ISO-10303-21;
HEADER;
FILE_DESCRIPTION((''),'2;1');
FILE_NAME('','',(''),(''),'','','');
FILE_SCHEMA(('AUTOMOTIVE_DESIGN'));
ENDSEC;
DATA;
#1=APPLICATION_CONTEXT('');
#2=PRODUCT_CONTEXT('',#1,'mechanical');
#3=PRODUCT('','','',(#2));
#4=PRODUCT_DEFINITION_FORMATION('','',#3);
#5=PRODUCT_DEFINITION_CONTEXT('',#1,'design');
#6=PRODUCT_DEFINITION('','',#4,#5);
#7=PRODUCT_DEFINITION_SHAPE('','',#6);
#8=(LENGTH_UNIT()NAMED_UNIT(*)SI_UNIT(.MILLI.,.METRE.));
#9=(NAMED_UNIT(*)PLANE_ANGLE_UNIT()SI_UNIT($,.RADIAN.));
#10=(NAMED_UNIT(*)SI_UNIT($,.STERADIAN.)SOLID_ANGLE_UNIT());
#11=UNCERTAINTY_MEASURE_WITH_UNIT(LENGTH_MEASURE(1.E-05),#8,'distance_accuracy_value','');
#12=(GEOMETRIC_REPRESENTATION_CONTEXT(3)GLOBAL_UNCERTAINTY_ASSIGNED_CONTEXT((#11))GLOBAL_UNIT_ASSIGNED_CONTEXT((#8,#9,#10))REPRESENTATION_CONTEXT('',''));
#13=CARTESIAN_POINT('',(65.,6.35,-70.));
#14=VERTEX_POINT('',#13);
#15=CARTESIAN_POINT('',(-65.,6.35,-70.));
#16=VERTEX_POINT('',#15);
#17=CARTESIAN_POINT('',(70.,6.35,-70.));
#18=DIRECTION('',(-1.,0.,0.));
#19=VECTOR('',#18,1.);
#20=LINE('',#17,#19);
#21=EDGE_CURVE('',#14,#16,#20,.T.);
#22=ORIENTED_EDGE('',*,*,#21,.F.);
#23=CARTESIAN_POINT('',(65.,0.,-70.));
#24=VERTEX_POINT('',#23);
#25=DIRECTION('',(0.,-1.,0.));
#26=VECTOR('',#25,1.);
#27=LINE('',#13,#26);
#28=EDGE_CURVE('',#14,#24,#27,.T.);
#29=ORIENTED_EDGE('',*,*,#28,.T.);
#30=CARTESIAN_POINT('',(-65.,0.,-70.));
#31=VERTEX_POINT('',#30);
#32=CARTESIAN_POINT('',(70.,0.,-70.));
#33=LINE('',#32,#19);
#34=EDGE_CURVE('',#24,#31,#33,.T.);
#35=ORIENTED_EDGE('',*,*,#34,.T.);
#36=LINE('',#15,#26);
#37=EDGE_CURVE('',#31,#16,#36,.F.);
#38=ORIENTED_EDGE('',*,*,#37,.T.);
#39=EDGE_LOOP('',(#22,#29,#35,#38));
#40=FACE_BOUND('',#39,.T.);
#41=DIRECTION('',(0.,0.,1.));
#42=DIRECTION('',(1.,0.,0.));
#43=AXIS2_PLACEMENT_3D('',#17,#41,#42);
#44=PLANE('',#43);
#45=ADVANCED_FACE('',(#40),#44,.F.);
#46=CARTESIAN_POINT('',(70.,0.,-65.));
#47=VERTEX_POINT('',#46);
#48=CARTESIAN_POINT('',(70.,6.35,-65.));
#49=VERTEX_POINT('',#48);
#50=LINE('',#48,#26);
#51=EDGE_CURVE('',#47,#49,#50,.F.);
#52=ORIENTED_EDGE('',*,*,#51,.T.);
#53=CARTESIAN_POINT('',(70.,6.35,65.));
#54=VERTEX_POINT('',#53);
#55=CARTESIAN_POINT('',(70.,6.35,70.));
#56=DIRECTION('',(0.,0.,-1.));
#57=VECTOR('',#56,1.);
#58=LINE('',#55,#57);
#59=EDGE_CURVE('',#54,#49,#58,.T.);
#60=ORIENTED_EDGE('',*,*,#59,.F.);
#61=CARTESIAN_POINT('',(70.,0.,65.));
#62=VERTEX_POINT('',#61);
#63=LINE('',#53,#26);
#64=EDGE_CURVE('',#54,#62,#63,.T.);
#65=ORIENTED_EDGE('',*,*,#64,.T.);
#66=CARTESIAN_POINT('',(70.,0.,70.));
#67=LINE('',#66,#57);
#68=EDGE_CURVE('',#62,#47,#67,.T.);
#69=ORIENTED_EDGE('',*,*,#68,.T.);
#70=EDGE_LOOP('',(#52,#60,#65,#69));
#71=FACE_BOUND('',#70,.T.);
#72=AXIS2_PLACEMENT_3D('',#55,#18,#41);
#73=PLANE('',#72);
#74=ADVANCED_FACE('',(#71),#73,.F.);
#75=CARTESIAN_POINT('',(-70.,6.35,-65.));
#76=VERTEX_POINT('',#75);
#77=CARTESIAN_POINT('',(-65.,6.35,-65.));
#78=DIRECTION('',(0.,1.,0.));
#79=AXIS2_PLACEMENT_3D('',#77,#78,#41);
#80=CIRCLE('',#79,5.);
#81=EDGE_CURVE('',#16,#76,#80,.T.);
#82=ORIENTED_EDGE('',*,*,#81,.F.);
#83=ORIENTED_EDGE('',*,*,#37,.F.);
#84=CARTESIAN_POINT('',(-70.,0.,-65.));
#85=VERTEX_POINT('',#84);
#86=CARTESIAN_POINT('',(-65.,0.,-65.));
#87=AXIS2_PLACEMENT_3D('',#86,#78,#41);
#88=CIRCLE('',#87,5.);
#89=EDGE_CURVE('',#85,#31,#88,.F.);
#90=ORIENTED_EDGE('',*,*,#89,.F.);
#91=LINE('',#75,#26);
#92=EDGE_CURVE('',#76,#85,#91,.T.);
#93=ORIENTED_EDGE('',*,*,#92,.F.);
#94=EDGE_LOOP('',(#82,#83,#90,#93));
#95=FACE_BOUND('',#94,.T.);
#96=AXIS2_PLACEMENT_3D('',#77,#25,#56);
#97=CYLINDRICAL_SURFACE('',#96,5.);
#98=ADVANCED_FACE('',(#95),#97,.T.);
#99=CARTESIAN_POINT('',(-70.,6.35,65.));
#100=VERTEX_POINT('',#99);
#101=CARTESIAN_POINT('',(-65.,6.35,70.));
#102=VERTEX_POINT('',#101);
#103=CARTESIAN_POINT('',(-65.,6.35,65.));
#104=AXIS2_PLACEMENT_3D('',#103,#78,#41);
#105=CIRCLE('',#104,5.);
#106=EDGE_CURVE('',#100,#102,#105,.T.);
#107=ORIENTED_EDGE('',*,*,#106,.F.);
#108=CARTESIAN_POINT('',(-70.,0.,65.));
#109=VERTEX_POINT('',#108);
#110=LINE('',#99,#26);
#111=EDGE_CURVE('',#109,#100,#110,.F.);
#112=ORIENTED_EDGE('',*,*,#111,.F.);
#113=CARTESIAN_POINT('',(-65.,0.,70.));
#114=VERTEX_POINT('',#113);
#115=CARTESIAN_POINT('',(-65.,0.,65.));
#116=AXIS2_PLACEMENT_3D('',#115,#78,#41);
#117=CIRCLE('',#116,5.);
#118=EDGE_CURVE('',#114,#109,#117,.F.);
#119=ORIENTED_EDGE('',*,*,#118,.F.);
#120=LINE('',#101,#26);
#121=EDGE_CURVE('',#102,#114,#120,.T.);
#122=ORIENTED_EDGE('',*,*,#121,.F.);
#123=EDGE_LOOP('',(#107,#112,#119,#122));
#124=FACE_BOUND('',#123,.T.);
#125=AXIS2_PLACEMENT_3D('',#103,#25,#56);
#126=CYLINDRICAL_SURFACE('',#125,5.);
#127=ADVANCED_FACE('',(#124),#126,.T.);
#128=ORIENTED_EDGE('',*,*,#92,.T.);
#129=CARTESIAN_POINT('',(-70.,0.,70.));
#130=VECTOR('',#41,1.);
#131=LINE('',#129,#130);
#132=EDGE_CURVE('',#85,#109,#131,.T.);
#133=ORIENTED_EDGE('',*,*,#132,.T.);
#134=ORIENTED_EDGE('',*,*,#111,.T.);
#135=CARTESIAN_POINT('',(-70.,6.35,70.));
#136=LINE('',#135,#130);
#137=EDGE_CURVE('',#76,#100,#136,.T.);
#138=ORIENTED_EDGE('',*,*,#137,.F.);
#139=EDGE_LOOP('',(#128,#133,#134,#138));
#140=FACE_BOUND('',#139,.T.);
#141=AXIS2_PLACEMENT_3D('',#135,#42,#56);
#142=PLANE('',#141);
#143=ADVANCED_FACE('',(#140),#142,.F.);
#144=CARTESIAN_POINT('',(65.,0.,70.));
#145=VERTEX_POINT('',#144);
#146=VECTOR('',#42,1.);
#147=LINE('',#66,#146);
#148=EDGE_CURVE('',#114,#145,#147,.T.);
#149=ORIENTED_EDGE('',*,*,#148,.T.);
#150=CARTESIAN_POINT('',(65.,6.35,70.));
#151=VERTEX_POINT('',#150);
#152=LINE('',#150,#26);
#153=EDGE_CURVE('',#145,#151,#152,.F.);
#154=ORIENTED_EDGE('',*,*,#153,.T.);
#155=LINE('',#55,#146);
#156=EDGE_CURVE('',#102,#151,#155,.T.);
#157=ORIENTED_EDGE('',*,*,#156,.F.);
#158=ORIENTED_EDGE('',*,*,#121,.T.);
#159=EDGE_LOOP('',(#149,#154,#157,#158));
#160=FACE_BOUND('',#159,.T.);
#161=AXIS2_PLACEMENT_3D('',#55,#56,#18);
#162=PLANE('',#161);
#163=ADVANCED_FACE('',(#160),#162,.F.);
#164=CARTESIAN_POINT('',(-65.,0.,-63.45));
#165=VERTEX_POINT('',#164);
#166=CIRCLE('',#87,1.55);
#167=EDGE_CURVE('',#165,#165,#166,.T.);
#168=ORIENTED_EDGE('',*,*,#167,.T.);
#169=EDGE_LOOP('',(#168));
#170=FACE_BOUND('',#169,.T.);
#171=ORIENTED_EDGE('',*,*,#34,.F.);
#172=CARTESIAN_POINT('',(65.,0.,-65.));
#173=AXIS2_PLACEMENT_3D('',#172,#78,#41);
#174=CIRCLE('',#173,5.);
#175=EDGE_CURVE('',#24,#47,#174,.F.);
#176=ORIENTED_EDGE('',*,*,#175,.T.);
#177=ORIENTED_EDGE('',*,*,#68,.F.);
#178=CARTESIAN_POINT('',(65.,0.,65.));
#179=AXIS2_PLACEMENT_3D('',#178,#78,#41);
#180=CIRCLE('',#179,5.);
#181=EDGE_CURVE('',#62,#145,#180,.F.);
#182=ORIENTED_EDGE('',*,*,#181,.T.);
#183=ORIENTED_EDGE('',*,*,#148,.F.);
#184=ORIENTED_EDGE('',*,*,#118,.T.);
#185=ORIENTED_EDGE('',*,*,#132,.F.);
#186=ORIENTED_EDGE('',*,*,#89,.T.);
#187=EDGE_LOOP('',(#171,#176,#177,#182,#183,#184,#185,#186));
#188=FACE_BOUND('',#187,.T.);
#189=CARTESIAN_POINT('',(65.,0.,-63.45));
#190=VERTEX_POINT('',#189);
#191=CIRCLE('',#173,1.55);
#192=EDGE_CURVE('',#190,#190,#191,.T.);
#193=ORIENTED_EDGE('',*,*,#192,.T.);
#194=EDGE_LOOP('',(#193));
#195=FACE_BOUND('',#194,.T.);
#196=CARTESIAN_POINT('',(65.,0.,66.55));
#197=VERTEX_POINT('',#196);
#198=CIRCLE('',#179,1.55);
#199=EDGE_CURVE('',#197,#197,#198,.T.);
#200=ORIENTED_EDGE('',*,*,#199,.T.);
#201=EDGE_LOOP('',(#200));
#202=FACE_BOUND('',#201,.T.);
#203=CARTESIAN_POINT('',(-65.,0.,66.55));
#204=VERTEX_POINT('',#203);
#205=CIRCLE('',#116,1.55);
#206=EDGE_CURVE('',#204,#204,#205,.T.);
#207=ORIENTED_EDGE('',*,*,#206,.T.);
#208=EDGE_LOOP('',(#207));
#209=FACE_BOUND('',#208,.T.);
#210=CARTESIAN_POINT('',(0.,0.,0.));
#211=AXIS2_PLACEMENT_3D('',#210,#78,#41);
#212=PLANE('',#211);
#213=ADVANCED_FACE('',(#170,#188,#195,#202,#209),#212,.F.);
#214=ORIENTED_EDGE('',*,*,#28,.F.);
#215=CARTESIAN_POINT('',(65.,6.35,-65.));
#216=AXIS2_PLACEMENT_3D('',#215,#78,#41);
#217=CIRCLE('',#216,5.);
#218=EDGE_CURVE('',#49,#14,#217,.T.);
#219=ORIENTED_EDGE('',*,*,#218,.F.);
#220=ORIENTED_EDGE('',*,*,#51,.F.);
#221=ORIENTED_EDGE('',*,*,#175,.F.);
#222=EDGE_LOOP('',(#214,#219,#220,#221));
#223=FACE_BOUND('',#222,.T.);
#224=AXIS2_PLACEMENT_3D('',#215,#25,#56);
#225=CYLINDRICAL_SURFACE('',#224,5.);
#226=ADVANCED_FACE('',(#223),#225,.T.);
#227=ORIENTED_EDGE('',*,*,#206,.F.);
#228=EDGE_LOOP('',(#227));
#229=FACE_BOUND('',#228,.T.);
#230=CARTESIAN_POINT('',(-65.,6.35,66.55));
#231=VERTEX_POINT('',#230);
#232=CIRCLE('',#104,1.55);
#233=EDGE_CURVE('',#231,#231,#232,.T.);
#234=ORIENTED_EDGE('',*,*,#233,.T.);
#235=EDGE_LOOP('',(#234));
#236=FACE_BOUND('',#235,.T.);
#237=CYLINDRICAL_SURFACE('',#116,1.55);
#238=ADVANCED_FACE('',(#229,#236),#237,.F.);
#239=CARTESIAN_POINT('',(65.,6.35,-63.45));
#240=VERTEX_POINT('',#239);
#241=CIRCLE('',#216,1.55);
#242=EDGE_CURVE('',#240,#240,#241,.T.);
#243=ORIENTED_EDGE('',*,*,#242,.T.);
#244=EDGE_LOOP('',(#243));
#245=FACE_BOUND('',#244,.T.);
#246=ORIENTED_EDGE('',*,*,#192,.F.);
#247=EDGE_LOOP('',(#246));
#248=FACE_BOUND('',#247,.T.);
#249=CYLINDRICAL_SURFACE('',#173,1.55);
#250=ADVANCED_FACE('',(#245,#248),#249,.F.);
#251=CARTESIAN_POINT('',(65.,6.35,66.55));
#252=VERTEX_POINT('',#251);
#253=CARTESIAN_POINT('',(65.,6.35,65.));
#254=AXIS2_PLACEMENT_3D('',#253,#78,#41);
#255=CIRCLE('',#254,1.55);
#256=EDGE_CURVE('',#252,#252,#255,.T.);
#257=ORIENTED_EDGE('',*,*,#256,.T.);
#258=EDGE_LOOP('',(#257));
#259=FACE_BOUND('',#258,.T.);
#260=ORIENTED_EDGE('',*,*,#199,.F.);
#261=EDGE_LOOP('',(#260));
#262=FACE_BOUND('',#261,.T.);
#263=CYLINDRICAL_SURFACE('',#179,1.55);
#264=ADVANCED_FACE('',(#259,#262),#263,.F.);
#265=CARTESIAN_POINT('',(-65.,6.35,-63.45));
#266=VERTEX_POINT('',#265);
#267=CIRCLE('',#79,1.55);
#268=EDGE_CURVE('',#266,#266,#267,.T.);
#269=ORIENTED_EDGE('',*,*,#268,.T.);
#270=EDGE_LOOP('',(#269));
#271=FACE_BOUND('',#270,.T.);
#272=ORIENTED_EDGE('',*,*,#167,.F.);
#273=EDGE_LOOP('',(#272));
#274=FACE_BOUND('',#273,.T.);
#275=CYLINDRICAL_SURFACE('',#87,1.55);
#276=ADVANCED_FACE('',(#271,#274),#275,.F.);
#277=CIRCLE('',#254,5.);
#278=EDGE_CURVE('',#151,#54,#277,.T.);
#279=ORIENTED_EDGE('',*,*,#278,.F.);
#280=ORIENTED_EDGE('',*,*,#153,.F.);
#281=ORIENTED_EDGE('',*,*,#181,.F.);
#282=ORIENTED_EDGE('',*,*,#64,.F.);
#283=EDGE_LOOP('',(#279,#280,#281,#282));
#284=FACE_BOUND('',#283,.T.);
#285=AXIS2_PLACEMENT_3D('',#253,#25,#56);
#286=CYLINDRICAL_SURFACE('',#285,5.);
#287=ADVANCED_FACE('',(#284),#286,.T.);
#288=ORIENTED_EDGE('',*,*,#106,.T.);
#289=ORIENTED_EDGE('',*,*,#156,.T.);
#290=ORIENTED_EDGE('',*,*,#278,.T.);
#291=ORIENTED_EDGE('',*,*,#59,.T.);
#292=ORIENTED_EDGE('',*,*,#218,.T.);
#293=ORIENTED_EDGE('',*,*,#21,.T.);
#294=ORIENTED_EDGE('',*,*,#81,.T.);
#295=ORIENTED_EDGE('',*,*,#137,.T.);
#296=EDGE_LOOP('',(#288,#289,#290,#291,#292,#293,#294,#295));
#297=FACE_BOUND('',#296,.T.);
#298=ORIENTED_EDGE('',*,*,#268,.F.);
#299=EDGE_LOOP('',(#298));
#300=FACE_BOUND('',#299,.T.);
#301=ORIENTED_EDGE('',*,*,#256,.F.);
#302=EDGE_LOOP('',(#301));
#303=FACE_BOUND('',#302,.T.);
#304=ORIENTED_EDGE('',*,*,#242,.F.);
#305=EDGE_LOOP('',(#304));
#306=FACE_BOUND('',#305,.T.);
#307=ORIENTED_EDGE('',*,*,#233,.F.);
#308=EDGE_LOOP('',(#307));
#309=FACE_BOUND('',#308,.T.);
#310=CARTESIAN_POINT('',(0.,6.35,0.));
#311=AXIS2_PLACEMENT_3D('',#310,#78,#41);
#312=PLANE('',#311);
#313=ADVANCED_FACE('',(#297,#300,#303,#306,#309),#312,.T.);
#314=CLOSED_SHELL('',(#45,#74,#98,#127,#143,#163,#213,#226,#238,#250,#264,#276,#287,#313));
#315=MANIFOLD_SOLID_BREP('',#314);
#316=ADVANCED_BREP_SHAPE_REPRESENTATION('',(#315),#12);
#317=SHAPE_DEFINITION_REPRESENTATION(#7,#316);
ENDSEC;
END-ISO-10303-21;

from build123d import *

# Parameters (mm, degrees)
SKETCH1_W           = 140
SKETCH1_H           = 140
BOSS_EXTRUDE1_DEPTH = 6.35
FILLET1_R           = 5
SKETCH2_R           = 1.55
CUT_EXTRUDE1_DEPTH  = 100.198399685


with BuildPart() as part:
    # Sketch1 → Boss-Extrude1 (new body)
    with BuildSketch(Plane(origin=(0, 0, 0), x_dir=(1, 0, 0), z_dir=(0, 1, 0))):
        Rectangle(SKETCH1_W, SKETCH1_H)
    extrude(amount=BOSS_EXTRUDE1_DEPTH)

    # Fillet1
    fillet1_edges = [part.edges().sort_by_distance(p)[0] for p in [
        (-70, 3.175, -70),
        (70, 3.175, -70),
        (70, 3.175, 70),
        (-70, 3.175, 70),
    ]]
    fillet(fillet1_edges, radius=FILLET1_R)

    # Sketch2 → Cut-Extrude1 (cut, through all)
    with BuildSketch(Plane(origin=(0, 6.35, 0), x_dir=(1, 0, 0), z_dir=(0, 1, 0))):
        with Locations(Location((-65, -65, 0), (0, 0, 270))):
            Circle(SKETCH2_R)
        with Locations(Location((65, -65, 0), (0, 0, 270))):
            Circle(SKETCH2_R)
        with Locations(Location((65, 65, 0), (0, 0, 270))):
            Circle(SKETCH2_R)
        with Locations(Location((-65, 65, 0), (0, 0, 270))):
            Circle(SKETCH2_R)
    extrude(amount=-CUT_EXTRUDE1_DEPTH, mode=Mode.SUBTRACT)


solid = part.part
